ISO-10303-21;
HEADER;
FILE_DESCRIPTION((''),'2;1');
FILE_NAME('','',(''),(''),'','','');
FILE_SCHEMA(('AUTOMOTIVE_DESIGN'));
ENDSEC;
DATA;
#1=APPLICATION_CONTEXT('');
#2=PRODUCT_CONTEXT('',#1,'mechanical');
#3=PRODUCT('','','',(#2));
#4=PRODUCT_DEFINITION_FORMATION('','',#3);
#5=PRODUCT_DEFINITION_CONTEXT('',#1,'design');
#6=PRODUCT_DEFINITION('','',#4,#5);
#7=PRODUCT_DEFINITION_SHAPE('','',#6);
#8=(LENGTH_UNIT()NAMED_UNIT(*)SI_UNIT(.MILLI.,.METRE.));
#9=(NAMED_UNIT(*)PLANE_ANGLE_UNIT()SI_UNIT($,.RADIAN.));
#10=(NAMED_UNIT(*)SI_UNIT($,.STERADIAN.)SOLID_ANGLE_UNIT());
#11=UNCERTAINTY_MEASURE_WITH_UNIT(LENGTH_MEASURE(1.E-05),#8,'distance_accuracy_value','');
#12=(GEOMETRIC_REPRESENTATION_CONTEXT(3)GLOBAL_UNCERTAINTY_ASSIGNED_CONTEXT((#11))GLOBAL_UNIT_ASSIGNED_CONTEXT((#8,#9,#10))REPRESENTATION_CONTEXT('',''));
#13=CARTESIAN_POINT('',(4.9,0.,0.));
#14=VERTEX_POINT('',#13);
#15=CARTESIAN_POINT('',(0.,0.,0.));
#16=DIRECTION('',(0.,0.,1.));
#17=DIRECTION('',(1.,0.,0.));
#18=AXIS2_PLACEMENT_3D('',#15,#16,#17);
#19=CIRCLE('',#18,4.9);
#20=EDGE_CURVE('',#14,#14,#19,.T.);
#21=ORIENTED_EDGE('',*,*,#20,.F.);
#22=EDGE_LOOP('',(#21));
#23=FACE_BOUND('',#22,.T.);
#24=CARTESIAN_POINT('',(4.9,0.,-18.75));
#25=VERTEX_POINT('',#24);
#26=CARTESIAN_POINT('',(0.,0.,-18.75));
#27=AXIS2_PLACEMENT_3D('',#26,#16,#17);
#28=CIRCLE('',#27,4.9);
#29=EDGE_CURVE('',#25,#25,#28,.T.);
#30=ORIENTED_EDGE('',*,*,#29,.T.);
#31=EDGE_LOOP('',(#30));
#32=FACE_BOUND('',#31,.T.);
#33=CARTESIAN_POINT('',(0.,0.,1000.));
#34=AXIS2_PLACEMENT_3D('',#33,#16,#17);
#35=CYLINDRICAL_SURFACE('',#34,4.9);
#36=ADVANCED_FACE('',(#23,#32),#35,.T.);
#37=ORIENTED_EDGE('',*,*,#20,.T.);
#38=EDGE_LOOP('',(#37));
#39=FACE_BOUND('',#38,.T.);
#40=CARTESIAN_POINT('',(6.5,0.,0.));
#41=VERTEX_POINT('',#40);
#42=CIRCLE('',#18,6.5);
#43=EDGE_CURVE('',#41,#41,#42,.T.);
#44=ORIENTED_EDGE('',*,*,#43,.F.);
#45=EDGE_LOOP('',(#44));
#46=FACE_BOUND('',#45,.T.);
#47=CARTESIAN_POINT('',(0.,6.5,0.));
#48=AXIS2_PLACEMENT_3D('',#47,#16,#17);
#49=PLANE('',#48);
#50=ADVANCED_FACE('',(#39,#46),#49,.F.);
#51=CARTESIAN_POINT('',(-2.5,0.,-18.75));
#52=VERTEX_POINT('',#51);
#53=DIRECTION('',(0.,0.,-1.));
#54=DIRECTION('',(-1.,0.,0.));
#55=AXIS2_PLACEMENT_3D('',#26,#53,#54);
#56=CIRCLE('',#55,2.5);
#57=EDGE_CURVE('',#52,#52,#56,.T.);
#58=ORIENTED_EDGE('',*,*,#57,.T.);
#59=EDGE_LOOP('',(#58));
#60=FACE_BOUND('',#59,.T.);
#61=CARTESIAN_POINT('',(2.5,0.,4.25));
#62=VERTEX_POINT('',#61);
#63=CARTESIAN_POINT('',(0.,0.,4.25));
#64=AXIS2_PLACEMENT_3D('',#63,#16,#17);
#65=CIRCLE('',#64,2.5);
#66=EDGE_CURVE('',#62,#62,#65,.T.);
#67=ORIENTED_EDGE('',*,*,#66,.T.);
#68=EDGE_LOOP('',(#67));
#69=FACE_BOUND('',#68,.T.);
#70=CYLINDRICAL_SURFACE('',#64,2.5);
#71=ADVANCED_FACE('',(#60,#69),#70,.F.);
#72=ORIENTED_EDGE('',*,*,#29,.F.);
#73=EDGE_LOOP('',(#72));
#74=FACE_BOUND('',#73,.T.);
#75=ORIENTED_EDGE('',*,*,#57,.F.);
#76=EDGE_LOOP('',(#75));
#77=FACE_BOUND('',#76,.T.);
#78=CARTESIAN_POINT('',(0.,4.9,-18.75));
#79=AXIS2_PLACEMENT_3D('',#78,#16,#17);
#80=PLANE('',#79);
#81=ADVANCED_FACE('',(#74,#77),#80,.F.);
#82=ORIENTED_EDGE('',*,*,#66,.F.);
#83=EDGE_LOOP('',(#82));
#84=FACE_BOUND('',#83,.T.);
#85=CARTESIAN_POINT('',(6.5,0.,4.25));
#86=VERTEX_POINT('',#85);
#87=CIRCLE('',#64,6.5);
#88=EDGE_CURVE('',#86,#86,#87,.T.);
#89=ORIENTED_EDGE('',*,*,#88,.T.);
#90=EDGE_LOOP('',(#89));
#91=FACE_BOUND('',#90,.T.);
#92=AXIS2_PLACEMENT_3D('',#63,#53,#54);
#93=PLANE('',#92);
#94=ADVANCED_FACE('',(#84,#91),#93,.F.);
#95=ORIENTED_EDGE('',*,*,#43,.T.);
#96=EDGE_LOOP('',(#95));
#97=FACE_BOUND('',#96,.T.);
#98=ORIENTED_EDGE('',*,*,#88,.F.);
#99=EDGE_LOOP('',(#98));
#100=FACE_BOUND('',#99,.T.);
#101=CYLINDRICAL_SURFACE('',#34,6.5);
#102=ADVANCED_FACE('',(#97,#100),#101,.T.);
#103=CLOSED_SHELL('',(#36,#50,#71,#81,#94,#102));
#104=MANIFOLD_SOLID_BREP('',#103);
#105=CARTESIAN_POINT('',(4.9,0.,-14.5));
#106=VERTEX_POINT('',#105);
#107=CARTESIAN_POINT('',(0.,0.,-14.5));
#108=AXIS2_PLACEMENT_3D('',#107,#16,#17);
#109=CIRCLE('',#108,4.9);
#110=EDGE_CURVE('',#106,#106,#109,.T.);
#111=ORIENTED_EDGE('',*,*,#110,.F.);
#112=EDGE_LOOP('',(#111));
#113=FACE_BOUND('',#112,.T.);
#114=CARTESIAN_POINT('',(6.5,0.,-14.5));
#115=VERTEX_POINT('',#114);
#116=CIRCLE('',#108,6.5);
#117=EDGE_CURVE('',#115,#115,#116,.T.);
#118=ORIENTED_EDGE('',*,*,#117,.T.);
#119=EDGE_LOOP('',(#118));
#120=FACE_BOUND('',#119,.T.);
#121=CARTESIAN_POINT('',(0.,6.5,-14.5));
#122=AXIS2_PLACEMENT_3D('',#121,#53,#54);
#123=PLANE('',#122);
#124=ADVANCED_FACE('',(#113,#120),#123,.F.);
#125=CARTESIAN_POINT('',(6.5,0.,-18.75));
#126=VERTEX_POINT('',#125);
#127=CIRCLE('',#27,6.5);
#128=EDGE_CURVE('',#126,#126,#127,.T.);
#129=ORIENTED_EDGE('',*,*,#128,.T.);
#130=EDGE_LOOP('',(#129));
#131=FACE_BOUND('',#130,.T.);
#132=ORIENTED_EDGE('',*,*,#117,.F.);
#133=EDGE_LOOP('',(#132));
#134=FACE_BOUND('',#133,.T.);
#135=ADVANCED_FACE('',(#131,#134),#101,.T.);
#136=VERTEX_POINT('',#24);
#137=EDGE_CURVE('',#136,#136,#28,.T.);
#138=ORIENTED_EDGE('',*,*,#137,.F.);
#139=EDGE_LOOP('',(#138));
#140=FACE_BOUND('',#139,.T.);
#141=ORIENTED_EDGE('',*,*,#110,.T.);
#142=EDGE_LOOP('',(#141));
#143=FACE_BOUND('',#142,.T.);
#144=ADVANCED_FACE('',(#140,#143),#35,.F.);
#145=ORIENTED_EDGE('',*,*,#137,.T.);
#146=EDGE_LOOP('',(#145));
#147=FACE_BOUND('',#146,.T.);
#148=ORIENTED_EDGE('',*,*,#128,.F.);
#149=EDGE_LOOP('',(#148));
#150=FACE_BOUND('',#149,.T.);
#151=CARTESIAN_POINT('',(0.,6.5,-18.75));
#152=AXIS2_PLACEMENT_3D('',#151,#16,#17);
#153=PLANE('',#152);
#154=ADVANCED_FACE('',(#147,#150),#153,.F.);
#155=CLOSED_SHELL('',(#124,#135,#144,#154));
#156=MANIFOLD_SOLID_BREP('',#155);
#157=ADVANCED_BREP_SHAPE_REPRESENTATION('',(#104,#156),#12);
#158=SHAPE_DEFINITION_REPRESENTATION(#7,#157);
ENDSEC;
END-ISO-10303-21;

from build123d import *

# Parameters (mm, degrees)
SKETCH_3_W = 4.25
SKETCH_3_H = 1.6


with BuildPart() as part:
    # Эскиз2 → Повернуть1 (revolve)
    with BuildSketch(Plane(origin=(0, 0, 0), x_dir=(0, 0, -1), z_dir=(1, 0, 0))):
        Polygon((18.75, 0), (-4.25, 0), (-4.25, 6.5), (0, 6.5), (0, 4.9), (18.75, 4.9), align=None)
    revolve(axis=Axis((0, 0, 1000), (0, 0, -1)))

    # Эскиз5 → Отверстие обработанное метчиком M61 (revolve, cut)
    with BuildSketch(Plane(origin=(0, 0, 4.25), x_dir=(0, -1, 0), z_dir=(1, 0, 0))):
        Polygon((0, 0), (0, 18.502151548), (2.5, 17), (2.5, 0), align=None)
    revolve(axis=Axis((0, 0, 10.6), (0, 0, -1)), mode=Mode.SUBTRACT)

    # Эскиз7 → Отверстие обработанное метчиком M62 (revolve, cut)
    with BuildSketch(Plane(origin=(0, 0, -18.75), x_dir=(0, 1, 0), z_dir=(1, 0, 0))):
        Polygon((0, 0), (0, 18.502151548), (2.5, 17), (2.5, 0), align=None)
    revolve(axis=Axis((0, 0, -25.1), (0, 0, 1)), mode=Mode.SUBTRACT)


with BuildPart() as body_2:
    # Эскиз3 → Повернуть2 (revolve)
    with BuildSketch(Plane(origin=(0, 0, 0), x_dir=(0, 0, -1), z_dir=(1, 0, 0))):
        with Locations((16.625, 5.7)):
            Rectangle(SKETCH_3_W, SKETCH_3_H)
    revolve(axis=Axis((0, 0, 1000), (0, 0, -1)))


solid = Compound([part.part, body_2.part])
